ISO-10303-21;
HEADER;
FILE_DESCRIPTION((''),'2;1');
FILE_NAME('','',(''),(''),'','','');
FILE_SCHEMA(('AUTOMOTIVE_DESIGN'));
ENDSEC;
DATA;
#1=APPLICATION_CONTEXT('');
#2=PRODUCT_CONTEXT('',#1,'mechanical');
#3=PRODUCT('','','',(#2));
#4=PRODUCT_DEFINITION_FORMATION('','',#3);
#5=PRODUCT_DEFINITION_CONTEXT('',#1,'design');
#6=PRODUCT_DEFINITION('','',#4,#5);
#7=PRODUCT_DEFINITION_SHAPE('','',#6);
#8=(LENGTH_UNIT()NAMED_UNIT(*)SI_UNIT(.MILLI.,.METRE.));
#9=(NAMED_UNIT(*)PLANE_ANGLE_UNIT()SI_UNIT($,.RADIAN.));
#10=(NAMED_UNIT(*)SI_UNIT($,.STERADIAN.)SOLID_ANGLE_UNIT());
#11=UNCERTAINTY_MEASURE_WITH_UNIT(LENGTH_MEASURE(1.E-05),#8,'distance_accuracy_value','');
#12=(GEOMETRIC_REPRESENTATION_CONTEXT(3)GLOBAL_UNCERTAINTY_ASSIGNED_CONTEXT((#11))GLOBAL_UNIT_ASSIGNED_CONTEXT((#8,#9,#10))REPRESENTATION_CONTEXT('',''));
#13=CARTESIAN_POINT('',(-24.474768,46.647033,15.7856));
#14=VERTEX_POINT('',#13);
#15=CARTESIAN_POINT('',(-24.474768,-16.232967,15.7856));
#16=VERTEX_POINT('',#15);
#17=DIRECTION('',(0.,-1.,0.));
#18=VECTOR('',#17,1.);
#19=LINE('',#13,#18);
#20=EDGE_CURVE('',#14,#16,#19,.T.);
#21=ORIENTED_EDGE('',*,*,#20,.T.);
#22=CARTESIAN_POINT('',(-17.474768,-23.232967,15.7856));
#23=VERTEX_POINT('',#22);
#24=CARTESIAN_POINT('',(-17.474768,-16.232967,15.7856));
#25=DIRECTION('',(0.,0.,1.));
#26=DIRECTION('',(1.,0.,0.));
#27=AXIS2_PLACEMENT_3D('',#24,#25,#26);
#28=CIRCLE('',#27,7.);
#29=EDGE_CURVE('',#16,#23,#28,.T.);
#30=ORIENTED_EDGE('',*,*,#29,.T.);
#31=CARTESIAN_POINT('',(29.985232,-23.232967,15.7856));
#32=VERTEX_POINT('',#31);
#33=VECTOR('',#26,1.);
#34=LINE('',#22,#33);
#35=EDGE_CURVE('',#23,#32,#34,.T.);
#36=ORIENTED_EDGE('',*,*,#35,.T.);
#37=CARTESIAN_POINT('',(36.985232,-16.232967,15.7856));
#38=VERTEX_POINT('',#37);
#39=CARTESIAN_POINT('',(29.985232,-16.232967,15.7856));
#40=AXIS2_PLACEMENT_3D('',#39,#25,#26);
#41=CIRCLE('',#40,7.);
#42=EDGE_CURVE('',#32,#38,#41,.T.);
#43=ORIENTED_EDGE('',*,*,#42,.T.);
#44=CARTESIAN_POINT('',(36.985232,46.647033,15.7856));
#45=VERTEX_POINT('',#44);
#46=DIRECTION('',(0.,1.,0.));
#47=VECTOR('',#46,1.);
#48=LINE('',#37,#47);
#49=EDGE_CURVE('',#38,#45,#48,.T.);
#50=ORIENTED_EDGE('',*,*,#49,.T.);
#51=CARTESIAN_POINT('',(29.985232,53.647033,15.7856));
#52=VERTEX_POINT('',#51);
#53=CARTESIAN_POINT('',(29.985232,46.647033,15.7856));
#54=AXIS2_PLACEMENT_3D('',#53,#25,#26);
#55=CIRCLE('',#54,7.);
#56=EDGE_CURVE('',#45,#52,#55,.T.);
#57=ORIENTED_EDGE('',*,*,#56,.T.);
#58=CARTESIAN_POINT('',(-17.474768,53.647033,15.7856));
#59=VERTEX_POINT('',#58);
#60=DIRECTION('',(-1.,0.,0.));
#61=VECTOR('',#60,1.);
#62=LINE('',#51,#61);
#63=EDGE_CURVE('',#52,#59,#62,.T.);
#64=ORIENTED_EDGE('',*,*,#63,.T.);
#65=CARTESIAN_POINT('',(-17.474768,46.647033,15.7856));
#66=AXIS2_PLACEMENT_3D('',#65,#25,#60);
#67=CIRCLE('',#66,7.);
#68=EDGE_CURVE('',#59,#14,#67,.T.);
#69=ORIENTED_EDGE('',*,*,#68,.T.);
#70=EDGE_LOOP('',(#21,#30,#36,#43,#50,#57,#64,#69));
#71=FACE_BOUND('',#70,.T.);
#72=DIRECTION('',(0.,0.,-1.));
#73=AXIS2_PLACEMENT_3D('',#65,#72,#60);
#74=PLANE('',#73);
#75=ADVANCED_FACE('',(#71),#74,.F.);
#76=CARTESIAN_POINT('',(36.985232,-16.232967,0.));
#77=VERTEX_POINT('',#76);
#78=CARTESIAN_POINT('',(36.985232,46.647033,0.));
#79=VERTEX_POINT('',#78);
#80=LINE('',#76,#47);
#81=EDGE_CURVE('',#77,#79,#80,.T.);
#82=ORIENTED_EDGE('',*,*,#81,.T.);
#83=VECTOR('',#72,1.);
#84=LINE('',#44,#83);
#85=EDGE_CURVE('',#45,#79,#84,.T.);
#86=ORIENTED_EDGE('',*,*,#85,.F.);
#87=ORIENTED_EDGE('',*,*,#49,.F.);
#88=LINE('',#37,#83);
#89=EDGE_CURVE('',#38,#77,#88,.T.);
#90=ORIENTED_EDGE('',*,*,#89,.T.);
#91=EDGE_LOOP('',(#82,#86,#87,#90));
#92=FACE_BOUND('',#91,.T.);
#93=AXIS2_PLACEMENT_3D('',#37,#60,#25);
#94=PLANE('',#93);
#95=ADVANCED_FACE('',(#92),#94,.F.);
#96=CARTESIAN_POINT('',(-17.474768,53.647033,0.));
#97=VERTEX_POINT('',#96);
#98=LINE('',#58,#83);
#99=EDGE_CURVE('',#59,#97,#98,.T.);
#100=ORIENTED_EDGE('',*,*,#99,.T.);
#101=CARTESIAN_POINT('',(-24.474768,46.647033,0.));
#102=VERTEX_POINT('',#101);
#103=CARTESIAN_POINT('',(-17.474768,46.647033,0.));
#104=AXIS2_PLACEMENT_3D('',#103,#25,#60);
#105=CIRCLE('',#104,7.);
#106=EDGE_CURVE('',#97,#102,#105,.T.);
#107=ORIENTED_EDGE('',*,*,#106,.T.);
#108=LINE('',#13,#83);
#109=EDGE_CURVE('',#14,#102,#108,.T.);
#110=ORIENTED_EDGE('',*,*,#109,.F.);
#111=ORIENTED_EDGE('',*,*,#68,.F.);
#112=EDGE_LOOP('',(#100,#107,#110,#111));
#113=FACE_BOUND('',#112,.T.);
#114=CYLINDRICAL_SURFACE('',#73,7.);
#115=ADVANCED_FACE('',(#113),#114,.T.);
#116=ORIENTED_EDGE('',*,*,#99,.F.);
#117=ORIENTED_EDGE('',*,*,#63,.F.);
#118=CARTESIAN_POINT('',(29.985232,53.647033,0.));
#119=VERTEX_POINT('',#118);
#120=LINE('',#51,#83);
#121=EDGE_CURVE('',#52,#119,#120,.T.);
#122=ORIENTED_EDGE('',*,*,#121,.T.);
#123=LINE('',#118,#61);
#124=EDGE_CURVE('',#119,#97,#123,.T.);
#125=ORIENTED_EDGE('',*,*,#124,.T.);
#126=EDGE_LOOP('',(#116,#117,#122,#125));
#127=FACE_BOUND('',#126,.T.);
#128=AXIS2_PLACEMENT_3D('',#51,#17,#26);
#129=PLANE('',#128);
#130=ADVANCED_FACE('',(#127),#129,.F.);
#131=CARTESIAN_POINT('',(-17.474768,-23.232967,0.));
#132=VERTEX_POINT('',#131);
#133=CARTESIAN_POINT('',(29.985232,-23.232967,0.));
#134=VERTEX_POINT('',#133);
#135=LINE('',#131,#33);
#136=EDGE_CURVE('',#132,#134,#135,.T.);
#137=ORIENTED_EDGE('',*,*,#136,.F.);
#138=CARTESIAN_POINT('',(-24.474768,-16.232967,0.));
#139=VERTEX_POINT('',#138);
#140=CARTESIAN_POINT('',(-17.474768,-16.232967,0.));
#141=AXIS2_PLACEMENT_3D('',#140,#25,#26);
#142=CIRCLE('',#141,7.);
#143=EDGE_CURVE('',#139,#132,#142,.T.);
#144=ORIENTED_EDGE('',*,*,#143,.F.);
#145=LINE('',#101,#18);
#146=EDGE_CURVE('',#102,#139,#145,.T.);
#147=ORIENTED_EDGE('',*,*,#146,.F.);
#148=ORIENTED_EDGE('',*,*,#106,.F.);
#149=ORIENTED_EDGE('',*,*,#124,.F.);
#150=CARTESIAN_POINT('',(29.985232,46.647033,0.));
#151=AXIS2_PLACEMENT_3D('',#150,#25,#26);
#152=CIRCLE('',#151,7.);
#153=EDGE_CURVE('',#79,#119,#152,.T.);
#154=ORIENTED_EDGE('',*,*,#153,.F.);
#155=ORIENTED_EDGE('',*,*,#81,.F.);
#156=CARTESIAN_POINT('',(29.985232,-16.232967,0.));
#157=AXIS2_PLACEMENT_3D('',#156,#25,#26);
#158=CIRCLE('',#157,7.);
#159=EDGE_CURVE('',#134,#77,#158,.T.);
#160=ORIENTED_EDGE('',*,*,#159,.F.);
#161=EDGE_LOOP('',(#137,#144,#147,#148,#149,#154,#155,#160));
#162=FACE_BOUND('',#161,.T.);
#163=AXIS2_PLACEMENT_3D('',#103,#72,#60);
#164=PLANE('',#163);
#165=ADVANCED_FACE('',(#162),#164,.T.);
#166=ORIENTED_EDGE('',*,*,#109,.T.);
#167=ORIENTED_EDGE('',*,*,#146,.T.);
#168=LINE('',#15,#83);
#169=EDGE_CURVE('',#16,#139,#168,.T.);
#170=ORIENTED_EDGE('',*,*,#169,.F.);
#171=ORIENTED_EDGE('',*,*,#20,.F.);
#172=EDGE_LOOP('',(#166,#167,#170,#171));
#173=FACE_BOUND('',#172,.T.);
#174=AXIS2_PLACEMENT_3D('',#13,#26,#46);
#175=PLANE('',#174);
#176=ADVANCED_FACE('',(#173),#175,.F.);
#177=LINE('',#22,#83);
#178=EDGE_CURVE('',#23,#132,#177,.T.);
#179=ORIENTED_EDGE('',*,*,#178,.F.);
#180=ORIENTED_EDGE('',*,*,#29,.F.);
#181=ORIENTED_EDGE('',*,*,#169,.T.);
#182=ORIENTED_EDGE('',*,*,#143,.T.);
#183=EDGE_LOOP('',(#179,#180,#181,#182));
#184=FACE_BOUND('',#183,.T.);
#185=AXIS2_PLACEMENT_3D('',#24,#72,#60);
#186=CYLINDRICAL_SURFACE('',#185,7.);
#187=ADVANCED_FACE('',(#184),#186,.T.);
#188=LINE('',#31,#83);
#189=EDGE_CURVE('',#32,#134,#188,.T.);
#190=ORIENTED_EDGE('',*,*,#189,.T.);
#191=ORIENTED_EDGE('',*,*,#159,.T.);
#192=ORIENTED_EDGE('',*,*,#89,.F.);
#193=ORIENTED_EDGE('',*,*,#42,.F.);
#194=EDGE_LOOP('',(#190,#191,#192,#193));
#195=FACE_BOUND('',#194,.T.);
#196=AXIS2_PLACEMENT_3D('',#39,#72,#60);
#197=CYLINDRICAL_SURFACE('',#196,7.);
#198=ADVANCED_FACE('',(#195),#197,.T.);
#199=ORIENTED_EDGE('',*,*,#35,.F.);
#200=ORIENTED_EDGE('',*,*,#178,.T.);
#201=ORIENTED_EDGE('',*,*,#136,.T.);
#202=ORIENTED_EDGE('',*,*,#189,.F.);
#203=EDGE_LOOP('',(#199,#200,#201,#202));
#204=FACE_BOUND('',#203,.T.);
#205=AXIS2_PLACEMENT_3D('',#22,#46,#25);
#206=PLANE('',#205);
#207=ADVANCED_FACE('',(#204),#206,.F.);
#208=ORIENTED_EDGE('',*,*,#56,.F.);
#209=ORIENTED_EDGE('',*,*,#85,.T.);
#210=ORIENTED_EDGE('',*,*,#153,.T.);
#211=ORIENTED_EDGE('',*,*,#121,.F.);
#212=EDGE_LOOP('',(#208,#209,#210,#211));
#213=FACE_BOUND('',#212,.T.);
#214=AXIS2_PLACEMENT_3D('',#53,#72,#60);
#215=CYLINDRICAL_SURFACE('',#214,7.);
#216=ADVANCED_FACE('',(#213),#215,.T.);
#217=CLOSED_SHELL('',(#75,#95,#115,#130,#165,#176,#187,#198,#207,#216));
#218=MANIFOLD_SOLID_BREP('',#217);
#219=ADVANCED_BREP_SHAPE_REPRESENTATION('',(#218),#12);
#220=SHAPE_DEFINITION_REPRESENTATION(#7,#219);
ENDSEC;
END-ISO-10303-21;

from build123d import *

# Parameters (mm, degrees)
BOSS_EXTRUDE1_DEPTH = 15.7856


with BuildPart() as part:
    # Sketch1 → Boss-Extrude1 (new body)
    with BuildSketch(Plane.XY):
        with BuildLine():
            Line((-24.474767558, 46.647032967), (-24.474767558, -16.232967033))
            ThreePointArc((-24.474767558, -16.232967033), (-22.424515026, -21.182714501), (-17.474767558, -23.232967033))
            Line((-17.474767558, -23.232967033), (29.985232442, -23.232967033))
            ThreePointArc((29.985232442, -23.232967033), (34.93497991, -21.182714501), (36.985232442, -16.232967033))
            Line((36.985232442, -16.232967033), (36.985232442, 46.647032967))
            ThreePointArc((36.985232442, 46.647032967), (34.93497991, 51.596780435), (29.985232442, 53.647032967))
            Line((29.985232442, 53.647032967), (-17.474767558, 53.647032967))
            ThreePointArc((-17.474767558, 53.647032967), (-22.424515026, 51.596780435), (-24.474767558, 46.647032967))
        make_face()
    extrude(amount=BOSS_EXTRUDE1_DEPTH)


solid = part.part
